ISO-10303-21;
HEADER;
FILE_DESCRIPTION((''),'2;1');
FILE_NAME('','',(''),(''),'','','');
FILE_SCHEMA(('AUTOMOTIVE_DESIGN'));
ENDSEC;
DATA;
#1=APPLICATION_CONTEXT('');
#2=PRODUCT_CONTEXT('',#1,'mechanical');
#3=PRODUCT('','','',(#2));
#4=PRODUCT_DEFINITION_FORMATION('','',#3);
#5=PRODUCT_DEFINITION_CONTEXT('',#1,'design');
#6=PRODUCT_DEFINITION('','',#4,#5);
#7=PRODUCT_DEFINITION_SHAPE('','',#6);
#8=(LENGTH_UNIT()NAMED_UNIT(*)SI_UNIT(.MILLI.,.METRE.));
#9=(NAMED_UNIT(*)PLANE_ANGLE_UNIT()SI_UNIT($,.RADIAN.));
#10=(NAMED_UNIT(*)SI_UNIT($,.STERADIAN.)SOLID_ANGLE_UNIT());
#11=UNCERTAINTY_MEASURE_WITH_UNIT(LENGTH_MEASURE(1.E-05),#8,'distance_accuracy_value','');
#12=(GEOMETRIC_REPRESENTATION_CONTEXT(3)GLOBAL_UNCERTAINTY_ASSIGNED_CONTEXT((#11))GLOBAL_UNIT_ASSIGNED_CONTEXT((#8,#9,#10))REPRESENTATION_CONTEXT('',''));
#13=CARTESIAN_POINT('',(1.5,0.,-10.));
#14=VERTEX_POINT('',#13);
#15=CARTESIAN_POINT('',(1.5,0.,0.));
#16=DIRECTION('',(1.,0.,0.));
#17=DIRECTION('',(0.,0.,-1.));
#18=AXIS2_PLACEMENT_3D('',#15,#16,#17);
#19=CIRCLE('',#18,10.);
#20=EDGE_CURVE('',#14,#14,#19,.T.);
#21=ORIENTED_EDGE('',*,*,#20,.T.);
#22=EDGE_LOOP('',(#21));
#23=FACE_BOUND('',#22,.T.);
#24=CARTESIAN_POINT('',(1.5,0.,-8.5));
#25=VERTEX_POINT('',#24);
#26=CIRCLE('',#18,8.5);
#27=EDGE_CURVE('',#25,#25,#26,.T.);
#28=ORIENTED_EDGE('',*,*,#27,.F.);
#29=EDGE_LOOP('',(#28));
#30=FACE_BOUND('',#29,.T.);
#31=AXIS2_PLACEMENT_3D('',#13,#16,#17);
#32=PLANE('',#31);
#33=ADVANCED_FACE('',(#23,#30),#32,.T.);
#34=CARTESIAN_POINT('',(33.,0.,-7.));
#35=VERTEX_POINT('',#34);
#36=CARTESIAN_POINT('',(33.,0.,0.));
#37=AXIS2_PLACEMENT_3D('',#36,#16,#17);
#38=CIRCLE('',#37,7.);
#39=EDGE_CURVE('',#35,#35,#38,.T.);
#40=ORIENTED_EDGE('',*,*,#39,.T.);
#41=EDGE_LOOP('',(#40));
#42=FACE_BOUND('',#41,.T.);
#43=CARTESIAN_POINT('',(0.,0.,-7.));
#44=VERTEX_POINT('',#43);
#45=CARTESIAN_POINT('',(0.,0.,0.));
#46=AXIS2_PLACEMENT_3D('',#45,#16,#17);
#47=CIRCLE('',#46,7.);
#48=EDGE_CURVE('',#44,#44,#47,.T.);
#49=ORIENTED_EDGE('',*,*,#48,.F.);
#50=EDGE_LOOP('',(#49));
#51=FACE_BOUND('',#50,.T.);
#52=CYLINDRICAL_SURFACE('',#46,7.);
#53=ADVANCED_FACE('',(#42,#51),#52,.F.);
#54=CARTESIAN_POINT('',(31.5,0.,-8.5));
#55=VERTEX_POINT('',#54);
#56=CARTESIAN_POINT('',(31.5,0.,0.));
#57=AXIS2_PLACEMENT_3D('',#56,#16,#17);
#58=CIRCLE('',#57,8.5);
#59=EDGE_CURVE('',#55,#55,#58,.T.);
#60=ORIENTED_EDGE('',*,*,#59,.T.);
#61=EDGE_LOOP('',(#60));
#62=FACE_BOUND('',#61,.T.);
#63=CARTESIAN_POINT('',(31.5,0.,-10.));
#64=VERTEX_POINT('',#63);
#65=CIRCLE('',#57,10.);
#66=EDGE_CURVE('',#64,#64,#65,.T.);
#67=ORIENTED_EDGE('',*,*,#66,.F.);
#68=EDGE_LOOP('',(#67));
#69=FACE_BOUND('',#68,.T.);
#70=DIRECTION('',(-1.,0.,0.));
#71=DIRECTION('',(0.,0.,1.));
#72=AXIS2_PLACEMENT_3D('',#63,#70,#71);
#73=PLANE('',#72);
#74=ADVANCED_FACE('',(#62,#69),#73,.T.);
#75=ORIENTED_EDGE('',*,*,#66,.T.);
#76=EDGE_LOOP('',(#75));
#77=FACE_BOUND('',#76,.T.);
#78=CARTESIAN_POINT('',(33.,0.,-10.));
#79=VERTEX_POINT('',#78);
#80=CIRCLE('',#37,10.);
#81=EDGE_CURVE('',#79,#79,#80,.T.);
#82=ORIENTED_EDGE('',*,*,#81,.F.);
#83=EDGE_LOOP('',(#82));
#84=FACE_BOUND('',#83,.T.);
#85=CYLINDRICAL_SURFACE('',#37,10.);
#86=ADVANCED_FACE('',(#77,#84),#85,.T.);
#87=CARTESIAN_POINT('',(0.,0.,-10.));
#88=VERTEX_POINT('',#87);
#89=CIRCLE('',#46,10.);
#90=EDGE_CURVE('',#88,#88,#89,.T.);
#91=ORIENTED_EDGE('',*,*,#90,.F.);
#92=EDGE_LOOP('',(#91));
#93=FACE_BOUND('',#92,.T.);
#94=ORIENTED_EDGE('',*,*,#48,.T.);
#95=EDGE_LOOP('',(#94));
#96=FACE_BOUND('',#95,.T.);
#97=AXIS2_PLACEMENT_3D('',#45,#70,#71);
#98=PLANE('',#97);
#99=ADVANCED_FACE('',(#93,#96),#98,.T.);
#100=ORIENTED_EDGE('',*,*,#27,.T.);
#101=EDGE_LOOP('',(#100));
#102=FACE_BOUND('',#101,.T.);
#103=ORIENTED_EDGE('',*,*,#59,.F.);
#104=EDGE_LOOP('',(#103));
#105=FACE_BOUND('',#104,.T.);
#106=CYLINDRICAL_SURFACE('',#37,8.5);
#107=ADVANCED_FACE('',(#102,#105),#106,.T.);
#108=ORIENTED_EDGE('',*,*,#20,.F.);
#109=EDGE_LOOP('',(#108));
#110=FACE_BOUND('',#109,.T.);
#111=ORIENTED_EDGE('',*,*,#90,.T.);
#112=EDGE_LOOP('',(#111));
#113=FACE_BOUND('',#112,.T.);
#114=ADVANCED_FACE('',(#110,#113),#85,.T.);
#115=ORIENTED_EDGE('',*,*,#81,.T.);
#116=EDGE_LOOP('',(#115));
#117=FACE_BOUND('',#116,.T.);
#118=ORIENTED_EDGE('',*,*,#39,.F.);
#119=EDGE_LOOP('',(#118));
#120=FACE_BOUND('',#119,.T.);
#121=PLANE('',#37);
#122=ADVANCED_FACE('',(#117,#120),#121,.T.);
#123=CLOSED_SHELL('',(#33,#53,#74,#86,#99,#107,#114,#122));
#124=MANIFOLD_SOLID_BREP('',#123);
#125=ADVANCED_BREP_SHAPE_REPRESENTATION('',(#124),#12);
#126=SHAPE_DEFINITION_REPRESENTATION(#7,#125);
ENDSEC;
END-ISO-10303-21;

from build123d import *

# Parameters (mm, degrees)
SKETCH_3_R          = 7
CUT_EXTRUDE_1_DEPTH = 34


with BuildPart() as part:
    # Эскиз2 → Повернуть1 (revolve)
    with BuildSketch(Plane(origin=(0, 0, 0), x_dir=(1, 0, 0), z_dir=(0, 1, 0))):
        Polygon((0, 0), (0, 10), (1.5, 10), (1.5, 8.5), (31.5, 8.5), (31.5, 10), (33, 10), (33, 0), align=None)
    revolve(axis=Axis((33, 0, 0), (-1, 0, 0)))

    # Эскиз3 → Вырез-Вытянуть1 (cut, through all)
    with BuildSketch(Plane(origin=(33, 0, 0), x_dir=(0, 0, -1), z_dir=(1, 0, 0))):
        Circle(SKETCH_3_R)
    extrude(amount=-CUT_EXTRUDE_1_DEPTH, mode=Mode.SUBTRACT)


solid = part.part
